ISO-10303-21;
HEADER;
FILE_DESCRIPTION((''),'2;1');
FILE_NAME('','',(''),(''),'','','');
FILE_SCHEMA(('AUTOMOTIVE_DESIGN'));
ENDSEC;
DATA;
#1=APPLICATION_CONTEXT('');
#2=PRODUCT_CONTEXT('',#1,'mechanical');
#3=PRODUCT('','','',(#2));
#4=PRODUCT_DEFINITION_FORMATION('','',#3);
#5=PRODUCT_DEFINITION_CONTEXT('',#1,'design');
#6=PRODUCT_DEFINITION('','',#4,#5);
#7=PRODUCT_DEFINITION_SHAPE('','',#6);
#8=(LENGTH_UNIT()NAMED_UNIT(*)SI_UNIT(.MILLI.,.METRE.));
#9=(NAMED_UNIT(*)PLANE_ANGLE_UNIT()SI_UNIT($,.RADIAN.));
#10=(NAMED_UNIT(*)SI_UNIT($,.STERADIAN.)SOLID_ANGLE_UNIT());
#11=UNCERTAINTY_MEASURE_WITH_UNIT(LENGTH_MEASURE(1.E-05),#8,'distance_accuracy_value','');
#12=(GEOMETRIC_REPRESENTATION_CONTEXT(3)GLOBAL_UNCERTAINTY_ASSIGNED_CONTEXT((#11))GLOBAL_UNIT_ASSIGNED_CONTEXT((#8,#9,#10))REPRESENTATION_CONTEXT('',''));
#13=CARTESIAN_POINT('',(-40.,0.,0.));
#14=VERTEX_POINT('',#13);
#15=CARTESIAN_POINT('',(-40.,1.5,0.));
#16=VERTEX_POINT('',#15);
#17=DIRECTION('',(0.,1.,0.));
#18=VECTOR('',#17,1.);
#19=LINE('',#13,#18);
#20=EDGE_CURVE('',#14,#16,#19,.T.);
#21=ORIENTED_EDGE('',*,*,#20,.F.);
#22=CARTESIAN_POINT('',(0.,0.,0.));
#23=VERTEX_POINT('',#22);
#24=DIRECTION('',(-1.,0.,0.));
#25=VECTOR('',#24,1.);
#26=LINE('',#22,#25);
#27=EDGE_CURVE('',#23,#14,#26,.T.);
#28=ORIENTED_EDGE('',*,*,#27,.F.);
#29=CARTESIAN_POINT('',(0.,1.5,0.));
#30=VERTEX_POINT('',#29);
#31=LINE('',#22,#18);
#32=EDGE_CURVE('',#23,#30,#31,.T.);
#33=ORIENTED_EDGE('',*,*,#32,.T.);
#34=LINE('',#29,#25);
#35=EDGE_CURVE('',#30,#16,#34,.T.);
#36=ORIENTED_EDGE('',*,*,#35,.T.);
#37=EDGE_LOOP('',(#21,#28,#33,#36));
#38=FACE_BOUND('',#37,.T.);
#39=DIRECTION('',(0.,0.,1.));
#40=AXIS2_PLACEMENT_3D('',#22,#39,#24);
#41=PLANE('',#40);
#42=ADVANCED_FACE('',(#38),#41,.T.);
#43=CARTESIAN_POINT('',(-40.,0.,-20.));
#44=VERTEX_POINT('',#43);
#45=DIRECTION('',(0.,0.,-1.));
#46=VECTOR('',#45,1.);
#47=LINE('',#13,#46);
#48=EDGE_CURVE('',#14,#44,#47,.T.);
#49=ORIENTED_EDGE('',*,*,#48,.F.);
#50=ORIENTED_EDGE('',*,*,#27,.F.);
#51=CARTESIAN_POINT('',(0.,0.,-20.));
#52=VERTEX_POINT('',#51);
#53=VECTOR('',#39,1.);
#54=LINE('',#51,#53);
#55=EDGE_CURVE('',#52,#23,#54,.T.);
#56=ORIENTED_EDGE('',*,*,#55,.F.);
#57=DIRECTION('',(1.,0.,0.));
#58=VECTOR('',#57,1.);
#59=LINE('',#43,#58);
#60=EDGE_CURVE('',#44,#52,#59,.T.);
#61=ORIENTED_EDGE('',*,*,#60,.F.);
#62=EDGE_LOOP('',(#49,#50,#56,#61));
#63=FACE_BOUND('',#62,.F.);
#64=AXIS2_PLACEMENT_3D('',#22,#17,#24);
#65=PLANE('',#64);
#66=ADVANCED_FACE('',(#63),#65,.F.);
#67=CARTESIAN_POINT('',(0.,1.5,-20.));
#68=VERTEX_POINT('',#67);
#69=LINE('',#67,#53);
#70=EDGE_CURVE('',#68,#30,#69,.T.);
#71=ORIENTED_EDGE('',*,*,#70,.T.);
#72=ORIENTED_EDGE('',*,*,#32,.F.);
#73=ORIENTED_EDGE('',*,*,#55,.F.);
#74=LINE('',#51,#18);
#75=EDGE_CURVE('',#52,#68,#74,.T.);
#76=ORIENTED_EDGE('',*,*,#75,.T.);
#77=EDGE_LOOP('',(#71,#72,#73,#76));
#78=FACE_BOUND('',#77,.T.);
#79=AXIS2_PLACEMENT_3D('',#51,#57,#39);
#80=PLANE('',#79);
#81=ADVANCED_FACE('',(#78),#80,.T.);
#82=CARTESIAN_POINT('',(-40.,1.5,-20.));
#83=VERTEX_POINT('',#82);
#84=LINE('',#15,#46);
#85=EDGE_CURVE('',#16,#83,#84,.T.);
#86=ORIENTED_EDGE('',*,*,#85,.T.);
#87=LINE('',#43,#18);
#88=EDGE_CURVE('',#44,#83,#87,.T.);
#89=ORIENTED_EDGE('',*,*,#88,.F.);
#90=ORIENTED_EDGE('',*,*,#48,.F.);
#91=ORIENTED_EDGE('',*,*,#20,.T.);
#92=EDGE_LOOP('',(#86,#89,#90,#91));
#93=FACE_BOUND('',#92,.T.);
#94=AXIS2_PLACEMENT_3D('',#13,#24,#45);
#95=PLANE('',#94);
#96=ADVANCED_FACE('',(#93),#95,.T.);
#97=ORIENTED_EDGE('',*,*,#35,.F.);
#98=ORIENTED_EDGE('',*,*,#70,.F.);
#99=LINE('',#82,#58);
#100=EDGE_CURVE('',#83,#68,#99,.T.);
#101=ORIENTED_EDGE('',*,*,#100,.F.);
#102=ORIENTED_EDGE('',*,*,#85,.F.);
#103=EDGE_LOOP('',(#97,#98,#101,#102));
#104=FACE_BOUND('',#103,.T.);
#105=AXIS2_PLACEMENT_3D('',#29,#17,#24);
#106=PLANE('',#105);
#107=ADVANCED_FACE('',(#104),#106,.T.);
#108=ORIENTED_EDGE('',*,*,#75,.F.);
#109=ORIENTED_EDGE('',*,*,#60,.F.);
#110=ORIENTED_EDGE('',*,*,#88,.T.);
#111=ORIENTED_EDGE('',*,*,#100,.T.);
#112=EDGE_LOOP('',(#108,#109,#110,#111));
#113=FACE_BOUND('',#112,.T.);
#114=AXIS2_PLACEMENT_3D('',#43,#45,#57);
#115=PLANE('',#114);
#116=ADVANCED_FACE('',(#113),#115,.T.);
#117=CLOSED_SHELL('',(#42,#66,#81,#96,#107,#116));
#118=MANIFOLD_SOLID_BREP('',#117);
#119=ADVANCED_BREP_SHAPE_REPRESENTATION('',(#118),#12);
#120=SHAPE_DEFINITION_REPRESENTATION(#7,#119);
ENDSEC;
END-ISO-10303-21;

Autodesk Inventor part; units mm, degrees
ref_plane "YZ Plane" through (0, 0, 0) normal (1, 0, 0) x (0, 1, 0)
ref_plane "XZ Plane" through (0, 0, 0) normal (0, 1, 0) x (-1, 0, 0)
ref_plane "XY Plane" through (0, 0, 0) normal (0, 0, 1) x (1, 0, 0)
sketch "スケッチ1" plane through (0, 0, 0) normal (0, 1, 0) x (-1, 0, 0)
  line L0 (0, 0) -> (40, 0)
  line L1 (40, 0) -> (40, -20)
  line L2 (40, -20) -> (0, -20)
  line L3 (0, -20) -> (0, 0)
  dimension "d0" = 40
  dimension "d1" = 20
extrude "押し出し1" add sketch "スケッチ1" along normal blind 1.5
properties part number "voltage_hub"
